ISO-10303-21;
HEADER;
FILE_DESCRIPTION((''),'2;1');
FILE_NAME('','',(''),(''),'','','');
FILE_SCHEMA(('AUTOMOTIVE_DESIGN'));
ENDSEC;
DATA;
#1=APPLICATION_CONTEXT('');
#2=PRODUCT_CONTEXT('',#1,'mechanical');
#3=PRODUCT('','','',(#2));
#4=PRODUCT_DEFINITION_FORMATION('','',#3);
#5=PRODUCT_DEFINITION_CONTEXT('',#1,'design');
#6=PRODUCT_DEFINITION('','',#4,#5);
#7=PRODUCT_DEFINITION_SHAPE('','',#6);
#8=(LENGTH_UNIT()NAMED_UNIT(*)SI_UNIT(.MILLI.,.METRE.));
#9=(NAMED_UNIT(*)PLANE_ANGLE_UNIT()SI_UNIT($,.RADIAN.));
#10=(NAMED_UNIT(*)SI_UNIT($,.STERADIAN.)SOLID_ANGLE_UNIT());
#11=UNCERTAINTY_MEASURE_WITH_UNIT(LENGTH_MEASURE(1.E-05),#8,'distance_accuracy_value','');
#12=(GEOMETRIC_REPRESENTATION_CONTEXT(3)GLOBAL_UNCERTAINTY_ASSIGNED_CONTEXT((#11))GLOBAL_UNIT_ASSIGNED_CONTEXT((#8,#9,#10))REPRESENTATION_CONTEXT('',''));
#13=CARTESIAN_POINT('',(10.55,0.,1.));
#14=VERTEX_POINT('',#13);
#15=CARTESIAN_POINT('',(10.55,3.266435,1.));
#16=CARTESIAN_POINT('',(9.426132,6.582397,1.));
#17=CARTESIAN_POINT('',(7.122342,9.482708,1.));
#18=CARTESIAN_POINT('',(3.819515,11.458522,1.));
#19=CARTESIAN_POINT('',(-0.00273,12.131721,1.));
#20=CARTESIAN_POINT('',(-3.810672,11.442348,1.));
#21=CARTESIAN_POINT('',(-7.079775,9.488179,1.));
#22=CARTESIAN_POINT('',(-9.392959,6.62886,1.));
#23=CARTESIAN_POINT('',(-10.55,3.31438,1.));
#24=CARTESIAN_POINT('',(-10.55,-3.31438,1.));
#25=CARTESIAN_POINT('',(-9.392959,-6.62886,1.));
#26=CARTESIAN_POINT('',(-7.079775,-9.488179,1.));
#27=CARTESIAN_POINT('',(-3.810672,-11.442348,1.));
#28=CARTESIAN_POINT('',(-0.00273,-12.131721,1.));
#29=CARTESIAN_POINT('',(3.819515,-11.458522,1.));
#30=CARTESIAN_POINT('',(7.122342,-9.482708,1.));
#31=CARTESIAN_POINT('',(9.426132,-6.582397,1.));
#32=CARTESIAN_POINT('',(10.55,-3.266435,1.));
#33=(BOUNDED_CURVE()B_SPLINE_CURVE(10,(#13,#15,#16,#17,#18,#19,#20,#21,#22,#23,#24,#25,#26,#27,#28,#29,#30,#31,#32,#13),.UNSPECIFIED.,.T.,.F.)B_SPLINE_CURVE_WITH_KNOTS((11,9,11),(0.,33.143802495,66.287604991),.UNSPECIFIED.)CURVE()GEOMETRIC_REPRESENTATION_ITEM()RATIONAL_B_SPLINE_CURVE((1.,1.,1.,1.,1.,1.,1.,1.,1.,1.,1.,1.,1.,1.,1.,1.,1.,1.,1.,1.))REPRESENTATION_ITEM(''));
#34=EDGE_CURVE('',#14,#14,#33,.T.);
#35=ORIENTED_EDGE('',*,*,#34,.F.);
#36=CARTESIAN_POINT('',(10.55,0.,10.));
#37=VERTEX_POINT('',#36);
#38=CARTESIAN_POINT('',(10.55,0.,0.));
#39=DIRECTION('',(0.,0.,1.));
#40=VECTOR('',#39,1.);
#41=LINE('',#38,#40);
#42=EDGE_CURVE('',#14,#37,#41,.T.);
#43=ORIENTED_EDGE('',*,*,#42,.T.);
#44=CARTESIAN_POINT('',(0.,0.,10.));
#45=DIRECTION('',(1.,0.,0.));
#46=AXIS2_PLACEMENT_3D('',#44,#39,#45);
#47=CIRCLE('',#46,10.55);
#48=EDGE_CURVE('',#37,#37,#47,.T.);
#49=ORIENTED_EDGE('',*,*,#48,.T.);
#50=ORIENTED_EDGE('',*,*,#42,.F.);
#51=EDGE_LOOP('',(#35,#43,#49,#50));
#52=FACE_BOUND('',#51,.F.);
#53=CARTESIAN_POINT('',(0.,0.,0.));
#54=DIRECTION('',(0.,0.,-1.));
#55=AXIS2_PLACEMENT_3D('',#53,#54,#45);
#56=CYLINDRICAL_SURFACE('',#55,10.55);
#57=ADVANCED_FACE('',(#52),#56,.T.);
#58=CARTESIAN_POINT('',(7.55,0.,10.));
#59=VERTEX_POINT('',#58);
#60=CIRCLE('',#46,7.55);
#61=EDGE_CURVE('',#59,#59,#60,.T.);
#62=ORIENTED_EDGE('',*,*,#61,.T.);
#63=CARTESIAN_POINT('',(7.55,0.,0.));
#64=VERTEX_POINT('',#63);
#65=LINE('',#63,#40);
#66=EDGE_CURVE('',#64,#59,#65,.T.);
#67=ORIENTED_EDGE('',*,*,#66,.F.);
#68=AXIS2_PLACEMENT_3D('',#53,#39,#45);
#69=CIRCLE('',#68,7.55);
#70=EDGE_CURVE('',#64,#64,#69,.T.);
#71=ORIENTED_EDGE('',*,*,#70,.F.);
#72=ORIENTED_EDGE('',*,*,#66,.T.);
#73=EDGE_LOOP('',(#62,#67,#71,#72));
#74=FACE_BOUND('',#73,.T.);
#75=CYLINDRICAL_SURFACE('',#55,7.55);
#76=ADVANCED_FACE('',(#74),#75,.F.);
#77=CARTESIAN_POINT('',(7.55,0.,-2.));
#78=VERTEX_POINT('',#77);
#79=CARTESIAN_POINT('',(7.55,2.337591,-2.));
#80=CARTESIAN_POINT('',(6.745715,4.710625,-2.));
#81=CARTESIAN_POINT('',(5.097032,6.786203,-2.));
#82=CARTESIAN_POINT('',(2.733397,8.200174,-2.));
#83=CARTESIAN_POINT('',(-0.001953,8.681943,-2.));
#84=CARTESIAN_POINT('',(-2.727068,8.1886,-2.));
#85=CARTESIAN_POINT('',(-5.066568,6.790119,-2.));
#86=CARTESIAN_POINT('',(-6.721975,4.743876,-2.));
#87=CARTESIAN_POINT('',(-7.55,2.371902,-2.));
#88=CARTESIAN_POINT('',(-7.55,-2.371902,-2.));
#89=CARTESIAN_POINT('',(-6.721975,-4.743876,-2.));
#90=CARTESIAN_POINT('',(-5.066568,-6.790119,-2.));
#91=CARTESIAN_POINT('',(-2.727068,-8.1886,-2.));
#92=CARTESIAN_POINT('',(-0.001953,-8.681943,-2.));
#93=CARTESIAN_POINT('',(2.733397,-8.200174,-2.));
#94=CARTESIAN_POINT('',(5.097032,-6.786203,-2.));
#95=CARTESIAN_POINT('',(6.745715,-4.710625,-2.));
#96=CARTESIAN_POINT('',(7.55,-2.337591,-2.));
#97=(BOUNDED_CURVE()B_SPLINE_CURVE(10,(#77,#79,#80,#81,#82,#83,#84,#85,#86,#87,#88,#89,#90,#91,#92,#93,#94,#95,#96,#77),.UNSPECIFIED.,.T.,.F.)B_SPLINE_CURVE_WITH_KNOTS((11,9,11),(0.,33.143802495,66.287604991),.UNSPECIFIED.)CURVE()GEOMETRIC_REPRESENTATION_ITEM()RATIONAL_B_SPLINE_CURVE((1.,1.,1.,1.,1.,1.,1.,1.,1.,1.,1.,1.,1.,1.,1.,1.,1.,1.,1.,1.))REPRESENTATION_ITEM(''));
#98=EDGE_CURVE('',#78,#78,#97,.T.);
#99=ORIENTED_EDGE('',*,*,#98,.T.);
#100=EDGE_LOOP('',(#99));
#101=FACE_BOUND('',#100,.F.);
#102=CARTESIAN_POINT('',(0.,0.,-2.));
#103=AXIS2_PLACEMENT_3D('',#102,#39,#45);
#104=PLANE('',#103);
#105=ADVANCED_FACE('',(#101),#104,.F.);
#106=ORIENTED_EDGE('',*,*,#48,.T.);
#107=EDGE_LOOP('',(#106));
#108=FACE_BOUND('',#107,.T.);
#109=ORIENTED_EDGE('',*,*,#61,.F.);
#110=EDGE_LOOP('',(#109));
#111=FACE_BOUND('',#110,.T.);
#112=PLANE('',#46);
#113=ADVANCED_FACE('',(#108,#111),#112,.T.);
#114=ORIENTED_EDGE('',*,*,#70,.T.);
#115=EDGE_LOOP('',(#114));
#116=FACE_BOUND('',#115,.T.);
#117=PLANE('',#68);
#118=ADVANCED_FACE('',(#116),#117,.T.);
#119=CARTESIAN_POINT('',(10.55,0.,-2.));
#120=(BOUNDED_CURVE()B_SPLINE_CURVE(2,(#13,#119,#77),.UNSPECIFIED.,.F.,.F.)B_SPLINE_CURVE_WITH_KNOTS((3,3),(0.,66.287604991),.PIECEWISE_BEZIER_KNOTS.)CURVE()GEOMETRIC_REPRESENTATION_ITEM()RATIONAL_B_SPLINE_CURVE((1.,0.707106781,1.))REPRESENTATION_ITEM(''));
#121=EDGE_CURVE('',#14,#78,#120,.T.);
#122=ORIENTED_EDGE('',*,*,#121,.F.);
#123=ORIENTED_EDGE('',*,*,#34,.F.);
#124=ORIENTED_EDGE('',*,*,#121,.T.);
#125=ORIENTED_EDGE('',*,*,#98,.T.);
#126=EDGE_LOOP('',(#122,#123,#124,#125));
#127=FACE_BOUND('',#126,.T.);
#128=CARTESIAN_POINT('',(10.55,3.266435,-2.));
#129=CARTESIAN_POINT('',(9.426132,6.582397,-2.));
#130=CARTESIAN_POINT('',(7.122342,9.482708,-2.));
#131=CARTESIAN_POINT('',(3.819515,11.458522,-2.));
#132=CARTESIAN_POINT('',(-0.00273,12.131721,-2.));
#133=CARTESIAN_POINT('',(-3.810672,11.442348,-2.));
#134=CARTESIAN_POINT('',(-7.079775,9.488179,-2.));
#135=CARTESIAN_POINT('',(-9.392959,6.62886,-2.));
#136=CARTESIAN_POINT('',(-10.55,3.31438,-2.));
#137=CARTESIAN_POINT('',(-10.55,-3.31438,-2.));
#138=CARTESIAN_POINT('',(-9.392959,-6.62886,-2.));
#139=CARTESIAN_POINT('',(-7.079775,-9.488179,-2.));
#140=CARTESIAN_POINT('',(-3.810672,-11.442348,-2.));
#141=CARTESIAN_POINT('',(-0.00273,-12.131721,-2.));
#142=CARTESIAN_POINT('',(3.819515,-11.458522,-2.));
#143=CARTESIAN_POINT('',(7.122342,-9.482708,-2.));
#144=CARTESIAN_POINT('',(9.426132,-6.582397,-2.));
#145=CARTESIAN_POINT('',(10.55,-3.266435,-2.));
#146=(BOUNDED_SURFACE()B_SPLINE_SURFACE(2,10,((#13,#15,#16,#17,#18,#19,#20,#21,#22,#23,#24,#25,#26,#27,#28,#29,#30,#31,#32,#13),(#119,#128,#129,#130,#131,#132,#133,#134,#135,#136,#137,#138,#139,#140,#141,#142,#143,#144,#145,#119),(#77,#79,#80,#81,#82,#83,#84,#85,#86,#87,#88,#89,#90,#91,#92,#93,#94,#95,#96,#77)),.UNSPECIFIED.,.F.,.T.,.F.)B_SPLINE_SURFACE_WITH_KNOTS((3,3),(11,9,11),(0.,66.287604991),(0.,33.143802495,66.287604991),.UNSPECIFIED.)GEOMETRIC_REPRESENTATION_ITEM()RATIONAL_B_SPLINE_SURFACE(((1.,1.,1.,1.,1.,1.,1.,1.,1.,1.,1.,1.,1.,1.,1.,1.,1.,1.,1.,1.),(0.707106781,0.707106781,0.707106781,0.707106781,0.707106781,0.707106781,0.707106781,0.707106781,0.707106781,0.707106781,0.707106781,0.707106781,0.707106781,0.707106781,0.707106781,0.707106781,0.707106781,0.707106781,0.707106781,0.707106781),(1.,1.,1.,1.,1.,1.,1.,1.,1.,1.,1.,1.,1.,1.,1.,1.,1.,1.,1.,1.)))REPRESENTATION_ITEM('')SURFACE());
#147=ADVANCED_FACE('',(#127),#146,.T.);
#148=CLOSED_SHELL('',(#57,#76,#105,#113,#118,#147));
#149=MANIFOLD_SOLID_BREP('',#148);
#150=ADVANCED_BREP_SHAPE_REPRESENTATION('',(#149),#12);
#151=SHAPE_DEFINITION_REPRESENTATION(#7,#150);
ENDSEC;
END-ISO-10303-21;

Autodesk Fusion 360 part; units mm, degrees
sketch "Sketch1" plane through (0, 0, 0) normal (0, 0, 1) x (1, 0, 0)
  circle A0 centre (0, 0) radius 7.55
  circle A1 centre (0, 0) radius 10.55
  dimension "d1" = 3
  dimension "d2" = 15.1
extrude "Extrude1" add sketch "Sketch1" along normal blind 10
extrude "Extrude2" add sketch "Sketch1" against normal blind 2 contours A0 | A1
fillet "Fillet1" radius 3 1 edges at (-9.8361, 3.815, -2)
